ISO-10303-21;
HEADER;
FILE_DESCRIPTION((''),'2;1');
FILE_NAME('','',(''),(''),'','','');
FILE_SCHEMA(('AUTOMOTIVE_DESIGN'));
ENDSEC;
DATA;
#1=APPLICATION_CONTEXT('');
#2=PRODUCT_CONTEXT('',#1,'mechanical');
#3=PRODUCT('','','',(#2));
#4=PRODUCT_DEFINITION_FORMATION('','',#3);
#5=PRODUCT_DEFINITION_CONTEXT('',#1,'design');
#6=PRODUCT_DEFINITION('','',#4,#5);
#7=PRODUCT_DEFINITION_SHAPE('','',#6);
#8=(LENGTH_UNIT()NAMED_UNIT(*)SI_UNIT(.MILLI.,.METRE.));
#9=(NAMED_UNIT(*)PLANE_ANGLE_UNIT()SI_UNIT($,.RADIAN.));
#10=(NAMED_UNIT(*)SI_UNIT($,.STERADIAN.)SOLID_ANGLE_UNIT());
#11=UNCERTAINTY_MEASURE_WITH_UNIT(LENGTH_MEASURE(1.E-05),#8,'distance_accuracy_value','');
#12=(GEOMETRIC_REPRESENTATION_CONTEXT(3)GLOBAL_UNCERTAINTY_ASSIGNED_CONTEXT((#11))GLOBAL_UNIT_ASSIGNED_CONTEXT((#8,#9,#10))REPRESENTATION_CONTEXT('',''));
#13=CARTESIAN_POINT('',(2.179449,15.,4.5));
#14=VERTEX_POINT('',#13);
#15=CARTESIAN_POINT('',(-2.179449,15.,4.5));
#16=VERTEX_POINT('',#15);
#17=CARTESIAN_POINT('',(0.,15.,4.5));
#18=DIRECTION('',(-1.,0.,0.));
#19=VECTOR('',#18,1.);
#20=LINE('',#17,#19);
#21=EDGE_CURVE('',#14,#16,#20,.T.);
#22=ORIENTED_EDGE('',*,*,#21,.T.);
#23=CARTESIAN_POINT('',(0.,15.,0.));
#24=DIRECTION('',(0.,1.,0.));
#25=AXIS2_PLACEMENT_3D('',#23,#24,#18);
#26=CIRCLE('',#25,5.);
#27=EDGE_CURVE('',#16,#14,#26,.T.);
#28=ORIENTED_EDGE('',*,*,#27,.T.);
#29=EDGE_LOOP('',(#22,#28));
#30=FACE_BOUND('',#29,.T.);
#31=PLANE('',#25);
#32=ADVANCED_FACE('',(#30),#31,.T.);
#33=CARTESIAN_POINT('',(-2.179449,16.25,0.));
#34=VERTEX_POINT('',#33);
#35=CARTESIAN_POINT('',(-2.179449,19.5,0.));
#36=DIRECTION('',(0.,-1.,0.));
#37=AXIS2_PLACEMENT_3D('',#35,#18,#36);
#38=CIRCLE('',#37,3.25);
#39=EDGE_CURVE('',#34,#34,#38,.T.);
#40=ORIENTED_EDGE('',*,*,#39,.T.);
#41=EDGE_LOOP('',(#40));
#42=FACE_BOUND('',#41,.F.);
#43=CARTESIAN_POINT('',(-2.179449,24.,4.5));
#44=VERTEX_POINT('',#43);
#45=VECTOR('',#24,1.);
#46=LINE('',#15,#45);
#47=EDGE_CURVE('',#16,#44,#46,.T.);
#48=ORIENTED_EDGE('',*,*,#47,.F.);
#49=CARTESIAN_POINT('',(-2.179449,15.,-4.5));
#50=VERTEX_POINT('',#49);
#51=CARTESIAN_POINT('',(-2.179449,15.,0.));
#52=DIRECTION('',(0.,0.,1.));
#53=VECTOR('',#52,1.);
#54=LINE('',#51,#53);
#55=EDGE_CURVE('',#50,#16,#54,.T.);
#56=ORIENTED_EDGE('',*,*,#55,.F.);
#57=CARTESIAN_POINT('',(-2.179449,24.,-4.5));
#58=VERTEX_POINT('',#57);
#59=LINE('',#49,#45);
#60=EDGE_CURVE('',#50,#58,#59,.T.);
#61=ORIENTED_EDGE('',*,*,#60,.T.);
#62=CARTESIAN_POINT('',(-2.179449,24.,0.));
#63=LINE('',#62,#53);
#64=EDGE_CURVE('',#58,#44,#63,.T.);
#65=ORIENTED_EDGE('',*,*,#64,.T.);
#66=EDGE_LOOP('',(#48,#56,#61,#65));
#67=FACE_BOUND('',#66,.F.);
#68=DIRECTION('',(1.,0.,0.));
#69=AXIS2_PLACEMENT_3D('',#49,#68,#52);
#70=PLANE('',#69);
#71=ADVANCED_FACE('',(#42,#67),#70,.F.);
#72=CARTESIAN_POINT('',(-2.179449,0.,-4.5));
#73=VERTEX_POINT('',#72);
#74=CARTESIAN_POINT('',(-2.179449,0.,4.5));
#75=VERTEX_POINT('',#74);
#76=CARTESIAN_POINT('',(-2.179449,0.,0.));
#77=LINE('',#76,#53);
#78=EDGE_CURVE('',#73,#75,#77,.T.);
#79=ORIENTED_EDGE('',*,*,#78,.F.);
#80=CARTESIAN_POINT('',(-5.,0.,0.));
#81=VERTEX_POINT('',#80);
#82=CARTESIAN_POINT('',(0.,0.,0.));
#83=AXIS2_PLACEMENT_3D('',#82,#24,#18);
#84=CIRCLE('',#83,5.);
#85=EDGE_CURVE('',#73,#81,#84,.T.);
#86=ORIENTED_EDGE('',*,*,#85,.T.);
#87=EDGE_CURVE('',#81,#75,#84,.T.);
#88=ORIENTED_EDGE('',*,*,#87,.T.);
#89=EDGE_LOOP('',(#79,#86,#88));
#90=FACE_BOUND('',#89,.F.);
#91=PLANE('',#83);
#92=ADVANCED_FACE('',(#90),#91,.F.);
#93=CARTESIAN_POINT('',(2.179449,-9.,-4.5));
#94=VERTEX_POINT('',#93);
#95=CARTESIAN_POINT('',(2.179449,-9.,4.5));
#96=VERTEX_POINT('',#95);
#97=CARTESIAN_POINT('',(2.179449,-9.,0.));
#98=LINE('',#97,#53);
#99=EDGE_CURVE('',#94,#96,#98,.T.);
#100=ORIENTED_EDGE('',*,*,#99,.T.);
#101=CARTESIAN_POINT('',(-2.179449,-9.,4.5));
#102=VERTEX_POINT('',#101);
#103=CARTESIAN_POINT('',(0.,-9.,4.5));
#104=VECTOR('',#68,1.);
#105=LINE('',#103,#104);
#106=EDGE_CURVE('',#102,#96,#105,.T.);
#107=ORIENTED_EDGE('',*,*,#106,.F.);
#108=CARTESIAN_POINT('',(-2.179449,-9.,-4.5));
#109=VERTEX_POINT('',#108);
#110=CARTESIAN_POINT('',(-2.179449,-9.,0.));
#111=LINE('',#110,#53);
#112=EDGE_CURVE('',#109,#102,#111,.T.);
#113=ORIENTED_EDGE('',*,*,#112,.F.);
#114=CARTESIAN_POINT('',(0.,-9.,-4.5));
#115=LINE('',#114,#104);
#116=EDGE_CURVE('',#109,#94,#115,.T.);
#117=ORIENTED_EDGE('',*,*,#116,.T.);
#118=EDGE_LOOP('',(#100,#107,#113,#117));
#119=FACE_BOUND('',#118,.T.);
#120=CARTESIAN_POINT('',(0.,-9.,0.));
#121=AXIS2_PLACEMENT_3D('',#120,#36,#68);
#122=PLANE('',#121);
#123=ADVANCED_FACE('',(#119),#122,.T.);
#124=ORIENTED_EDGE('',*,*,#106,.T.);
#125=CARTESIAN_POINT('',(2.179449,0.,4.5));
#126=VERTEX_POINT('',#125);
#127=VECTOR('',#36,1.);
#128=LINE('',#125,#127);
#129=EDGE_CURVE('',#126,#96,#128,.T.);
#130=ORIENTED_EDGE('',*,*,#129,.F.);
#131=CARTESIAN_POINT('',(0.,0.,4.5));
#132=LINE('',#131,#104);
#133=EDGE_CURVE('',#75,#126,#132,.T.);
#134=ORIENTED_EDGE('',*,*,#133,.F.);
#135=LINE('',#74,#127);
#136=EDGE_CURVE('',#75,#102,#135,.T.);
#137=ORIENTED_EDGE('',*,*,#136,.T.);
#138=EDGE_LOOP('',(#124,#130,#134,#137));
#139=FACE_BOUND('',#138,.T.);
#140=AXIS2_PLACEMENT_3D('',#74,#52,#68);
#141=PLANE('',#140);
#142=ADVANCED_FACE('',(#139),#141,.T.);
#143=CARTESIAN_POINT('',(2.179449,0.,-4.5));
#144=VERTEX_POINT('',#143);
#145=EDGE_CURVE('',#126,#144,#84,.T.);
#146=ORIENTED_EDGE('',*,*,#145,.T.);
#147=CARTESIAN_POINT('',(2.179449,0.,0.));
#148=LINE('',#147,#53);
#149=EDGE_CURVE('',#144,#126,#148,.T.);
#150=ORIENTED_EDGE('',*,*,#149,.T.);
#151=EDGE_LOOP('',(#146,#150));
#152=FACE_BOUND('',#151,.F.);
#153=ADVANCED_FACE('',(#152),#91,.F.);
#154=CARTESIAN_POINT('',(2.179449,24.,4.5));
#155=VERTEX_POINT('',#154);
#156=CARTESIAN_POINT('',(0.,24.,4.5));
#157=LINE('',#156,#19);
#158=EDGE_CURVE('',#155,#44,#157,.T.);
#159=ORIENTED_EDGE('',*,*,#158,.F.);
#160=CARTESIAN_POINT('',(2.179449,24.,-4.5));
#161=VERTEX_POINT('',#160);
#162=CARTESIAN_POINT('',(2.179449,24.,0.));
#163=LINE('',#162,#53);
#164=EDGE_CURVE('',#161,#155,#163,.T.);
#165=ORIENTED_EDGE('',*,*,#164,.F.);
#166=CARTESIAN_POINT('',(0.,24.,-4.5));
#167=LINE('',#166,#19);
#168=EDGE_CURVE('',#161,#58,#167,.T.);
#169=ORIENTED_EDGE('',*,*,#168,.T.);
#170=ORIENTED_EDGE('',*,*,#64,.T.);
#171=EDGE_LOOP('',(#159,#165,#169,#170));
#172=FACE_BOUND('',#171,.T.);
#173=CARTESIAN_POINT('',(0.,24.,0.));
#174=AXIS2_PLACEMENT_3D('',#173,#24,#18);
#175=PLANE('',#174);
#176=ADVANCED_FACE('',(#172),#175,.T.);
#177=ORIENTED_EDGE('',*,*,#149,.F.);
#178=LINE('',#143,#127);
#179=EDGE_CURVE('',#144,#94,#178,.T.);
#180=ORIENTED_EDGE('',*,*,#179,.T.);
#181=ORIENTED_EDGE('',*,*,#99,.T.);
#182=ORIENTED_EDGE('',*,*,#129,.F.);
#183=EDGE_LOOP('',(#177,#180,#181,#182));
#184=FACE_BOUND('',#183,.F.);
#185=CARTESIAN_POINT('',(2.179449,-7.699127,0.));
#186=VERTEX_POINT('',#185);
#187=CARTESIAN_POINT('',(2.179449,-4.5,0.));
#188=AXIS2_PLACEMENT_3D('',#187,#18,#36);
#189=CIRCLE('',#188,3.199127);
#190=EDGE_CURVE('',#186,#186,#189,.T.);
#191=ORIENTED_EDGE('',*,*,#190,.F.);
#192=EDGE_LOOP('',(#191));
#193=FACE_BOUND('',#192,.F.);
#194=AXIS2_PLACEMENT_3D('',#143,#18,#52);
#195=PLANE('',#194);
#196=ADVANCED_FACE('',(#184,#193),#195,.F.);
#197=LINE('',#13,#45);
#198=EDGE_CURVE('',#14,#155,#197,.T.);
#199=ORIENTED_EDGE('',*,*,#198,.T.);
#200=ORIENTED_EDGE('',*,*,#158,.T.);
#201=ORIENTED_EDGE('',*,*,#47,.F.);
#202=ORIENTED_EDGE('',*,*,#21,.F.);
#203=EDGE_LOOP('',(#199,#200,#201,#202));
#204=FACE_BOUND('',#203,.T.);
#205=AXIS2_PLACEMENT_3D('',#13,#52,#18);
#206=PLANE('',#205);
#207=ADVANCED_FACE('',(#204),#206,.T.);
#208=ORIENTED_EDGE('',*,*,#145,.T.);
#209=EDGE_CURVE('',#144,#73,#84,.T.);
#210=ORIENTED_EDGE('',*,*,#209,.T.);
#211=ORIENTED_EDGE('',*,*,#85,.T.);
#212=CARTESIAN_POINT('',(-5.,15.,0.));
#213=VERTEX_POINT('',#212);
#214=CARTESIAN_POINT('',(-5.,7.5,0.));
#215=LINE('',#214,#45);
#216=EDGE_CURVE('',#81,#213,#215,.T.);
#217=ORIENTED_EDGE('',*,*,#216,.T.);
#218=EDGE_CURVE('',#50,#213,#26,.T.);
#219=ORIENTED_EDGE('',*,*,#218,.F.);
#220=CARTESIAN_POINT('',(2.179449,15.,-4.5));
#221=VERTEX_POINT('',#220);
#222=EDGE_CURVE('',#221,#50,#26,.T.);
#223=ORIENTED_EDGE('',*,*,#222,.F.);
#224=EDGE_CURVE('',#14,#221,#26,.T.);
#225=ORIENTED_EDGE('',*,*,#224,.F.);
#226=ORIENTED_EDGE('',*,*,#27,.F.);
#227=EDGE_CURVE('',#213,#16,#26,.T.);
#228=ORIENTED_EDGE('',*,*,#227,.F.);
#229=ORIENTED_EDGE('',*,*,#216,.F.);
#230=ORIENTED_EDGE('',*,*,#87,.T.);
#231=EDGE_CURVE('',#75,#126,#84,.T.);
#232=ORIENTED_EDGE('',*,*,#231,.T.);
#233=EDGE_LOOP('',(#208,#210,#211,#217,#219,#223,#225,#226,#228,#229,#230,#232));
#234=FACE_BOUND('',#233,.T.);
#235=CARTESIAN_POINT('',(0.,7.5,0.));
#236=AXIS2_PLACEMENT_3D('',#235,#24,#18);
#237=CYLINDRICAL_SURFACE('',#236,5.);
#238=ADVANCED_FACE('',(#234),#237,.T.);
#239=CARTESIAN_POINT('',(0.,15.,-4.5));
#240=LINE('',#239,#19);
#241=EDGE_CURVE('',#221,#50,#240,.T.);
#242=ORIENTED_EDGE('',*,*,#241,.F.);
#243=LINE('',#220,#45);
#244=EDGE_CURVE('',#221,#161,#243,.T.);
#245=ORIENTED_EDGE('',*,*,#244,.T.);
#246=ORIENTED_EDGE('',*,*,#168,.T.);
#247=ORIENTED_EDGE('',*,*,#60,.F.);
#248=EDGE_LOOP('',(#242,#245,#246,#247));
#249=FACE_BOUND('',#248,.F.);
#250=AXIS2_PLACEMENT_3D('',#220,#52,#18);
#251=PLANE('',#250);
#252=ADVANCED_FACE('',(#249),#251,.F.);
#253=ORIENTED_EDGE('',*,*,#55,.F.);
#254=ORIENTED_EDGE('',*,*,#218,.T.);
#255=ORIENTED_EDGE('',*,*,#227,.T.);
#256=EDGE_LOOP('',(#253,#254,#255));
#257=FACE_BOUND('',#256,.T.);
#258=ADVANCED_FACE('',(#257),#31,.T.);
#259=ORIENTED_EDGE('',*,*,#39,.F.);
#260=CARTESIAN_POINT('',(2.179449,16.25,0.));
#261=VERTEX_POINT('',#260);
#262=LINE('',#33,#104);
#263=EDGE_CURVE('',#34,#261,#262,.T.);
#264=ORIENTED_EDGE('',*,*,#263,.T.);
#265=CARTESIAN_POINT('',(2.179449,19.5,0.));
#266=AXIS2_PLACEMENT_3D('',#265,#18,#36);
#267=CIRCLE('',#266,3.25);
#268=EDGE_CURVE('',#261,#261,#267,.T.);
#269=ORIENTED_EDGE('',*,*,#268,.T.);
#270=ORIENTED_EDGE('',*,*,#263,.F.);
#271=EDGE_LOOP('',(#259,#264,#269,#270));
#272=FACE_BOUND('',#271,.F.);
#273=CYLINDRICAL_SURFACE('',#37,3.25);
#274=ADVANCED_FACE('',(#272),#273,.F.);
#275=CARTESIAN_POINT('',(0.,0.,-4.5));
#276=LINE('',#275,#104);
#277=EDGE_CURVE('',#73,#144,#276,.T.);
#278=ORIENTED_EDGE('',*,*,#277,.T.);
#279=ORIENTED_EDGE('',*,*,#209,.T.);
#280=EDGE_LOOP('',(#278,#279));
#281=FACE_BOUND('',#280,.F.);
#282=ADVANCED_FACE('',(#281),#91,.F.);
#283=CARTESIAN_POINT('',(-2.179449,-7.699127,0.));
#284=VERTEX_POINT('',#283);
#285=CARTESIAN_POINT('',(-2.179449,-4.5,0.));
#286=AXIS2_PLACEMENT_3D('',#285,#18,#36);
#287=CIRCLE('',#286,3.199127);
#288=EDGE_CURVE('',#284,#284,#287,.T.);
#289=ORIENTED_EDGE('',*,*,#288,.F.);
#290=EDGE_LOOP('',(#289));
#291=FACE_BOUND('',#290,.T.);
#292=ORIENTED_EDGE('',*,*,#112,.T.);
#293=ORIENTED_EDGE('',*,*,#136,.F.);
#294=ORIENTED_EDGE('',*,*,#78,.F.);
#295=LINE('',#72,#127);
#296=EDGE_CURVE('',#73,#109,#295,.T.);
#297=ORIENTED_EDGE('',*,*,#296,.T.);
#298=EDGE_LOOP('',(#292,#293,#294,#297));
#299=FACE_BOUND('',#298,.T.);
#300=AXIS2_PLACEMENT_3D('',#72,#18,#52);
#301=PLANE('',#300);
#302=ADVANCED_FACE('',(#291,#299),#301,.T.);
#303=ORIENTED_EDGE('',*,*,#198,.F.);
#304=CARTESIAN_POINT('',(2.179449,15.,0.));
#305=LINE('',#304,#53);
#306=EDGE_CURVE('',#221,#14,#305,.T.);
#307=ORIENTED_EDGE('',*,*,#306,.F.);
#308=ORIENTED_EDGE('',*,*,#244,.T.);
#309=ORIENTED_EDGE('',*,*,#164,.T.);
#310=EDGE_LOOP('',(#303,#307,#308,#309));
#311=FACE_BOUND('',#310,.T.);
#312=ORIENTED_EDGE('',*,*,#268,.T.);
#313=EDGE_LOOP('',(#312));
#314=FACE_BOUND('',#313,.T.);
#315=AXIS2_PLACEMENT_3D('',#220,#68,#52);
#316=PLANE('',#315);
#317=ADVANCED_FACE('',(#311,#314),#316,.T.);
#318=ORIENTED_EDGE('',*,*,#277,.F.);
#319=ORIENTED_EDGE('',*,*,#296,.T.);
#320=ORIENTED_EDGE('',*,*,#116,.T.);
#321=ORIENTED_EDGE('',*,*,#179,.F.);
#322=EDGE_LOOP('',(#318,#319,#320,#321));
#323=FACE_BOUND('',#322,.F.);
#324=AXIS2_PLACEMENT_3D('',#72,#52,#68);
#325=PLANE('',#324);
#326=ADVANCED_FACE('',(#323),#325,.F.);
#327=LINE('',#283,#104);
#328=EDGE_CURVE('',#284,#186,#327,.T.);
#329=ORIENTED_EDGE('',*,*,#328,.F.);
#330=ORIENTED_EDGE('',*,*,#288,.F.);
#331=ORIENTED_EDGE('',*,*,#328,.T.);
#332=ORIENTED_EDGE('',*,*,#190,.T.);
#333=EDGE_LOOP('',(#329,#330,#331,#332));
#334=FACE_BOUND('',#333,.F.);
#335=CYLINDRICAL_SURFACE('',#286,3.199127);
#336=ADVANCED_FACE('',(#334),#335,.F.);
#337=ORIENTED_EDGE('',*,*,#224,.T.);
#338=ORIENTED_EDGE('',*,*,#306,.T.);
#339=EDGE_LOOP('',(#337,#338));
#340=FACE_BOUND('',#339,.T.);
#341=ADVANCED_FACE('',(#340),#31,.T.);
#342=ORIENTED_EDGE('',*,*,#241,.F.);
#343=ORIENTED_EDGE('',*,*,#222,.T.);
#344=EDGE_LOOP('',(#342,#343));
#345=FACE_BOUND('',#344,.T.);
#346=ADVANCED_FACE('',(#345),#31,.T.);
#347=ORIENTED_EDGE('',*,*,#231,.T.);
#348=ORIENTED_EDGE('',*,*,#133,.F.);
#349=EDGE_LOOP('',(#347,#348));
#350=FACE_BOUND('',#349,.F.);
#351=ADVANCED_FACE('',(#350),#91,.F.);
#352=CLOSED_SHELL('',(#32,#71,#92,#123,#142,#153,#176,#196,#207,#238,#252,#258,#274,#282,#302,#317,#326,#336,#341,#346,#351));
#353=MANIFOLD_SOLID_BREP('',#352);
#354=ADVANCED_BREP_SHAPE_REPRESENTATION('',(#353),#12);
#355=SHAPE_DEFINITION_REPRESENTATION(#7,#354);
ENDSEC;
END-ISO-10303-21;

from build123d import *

# Parameters (mm, degrees)
F0_W     = 5
F0_H     = 15
F2_W     = 4.3588989435
F2_H     = 9
F3_DEPTH = 9
F4_R     = 3.1991269496
F5_DEPTH = 5
F6_W     = 4.3588989435
F6_H     = 9
F7_DEPTH = 9
F8_R     = 3.25
F9_DEPTH = 5


with BuildPart() as f1:
    # F0 (on Top) → F1 (revolve)
    with BuildSketch(Plane.XY):
        with Locations((-2.5, 7.5)):
            Rectangle(F0_W, F0_H)
    revolve(axis=Axis((0, 7.5, 0), (0, 1, 0)))

    # F2 (on face) → F3 (join)
    with BuildSketch(Plane.XZ):
        Rectangle(F2_W, F2_H)
    extrude(amount=F3_DEPTH)

    # F4 (on face) → F5 (cut)
    with BuildSketch(Plane(origin=(-2.1794494718, 0, 0), x_dir=(0, -1, 0), z_dir=(-1, 0, 0))):
        with Locations((4.5, 0)):
            Circle(F4_R)
    extrude(amount=-F5_DEPTH, mode=Mode.SUBTRACT)

    # F6 (on face) → F7 (join)
    with BuildSketch(Plane(origin=(0, 15, 0), x_dir=(-1, 0, 0), z_dir=(0, 1, 0))):
        Rectangle(F6_W, F6_H)
    extrude(amount=F7_DEPTH)

    # F8 (on face) → F9 (cut)
    with BuildSketch(Plane(origin=(-2.1794494718, 0, 0), x_dir=(0, -1, 0), z_dir=(-1, 0, 0))):
        with Locations((-19.5, 0)):
            Circle(F8_R)
    extrude(amount=-F9_DEPTH, mode=Mode.SUBTRACT)


solid = f1.part
